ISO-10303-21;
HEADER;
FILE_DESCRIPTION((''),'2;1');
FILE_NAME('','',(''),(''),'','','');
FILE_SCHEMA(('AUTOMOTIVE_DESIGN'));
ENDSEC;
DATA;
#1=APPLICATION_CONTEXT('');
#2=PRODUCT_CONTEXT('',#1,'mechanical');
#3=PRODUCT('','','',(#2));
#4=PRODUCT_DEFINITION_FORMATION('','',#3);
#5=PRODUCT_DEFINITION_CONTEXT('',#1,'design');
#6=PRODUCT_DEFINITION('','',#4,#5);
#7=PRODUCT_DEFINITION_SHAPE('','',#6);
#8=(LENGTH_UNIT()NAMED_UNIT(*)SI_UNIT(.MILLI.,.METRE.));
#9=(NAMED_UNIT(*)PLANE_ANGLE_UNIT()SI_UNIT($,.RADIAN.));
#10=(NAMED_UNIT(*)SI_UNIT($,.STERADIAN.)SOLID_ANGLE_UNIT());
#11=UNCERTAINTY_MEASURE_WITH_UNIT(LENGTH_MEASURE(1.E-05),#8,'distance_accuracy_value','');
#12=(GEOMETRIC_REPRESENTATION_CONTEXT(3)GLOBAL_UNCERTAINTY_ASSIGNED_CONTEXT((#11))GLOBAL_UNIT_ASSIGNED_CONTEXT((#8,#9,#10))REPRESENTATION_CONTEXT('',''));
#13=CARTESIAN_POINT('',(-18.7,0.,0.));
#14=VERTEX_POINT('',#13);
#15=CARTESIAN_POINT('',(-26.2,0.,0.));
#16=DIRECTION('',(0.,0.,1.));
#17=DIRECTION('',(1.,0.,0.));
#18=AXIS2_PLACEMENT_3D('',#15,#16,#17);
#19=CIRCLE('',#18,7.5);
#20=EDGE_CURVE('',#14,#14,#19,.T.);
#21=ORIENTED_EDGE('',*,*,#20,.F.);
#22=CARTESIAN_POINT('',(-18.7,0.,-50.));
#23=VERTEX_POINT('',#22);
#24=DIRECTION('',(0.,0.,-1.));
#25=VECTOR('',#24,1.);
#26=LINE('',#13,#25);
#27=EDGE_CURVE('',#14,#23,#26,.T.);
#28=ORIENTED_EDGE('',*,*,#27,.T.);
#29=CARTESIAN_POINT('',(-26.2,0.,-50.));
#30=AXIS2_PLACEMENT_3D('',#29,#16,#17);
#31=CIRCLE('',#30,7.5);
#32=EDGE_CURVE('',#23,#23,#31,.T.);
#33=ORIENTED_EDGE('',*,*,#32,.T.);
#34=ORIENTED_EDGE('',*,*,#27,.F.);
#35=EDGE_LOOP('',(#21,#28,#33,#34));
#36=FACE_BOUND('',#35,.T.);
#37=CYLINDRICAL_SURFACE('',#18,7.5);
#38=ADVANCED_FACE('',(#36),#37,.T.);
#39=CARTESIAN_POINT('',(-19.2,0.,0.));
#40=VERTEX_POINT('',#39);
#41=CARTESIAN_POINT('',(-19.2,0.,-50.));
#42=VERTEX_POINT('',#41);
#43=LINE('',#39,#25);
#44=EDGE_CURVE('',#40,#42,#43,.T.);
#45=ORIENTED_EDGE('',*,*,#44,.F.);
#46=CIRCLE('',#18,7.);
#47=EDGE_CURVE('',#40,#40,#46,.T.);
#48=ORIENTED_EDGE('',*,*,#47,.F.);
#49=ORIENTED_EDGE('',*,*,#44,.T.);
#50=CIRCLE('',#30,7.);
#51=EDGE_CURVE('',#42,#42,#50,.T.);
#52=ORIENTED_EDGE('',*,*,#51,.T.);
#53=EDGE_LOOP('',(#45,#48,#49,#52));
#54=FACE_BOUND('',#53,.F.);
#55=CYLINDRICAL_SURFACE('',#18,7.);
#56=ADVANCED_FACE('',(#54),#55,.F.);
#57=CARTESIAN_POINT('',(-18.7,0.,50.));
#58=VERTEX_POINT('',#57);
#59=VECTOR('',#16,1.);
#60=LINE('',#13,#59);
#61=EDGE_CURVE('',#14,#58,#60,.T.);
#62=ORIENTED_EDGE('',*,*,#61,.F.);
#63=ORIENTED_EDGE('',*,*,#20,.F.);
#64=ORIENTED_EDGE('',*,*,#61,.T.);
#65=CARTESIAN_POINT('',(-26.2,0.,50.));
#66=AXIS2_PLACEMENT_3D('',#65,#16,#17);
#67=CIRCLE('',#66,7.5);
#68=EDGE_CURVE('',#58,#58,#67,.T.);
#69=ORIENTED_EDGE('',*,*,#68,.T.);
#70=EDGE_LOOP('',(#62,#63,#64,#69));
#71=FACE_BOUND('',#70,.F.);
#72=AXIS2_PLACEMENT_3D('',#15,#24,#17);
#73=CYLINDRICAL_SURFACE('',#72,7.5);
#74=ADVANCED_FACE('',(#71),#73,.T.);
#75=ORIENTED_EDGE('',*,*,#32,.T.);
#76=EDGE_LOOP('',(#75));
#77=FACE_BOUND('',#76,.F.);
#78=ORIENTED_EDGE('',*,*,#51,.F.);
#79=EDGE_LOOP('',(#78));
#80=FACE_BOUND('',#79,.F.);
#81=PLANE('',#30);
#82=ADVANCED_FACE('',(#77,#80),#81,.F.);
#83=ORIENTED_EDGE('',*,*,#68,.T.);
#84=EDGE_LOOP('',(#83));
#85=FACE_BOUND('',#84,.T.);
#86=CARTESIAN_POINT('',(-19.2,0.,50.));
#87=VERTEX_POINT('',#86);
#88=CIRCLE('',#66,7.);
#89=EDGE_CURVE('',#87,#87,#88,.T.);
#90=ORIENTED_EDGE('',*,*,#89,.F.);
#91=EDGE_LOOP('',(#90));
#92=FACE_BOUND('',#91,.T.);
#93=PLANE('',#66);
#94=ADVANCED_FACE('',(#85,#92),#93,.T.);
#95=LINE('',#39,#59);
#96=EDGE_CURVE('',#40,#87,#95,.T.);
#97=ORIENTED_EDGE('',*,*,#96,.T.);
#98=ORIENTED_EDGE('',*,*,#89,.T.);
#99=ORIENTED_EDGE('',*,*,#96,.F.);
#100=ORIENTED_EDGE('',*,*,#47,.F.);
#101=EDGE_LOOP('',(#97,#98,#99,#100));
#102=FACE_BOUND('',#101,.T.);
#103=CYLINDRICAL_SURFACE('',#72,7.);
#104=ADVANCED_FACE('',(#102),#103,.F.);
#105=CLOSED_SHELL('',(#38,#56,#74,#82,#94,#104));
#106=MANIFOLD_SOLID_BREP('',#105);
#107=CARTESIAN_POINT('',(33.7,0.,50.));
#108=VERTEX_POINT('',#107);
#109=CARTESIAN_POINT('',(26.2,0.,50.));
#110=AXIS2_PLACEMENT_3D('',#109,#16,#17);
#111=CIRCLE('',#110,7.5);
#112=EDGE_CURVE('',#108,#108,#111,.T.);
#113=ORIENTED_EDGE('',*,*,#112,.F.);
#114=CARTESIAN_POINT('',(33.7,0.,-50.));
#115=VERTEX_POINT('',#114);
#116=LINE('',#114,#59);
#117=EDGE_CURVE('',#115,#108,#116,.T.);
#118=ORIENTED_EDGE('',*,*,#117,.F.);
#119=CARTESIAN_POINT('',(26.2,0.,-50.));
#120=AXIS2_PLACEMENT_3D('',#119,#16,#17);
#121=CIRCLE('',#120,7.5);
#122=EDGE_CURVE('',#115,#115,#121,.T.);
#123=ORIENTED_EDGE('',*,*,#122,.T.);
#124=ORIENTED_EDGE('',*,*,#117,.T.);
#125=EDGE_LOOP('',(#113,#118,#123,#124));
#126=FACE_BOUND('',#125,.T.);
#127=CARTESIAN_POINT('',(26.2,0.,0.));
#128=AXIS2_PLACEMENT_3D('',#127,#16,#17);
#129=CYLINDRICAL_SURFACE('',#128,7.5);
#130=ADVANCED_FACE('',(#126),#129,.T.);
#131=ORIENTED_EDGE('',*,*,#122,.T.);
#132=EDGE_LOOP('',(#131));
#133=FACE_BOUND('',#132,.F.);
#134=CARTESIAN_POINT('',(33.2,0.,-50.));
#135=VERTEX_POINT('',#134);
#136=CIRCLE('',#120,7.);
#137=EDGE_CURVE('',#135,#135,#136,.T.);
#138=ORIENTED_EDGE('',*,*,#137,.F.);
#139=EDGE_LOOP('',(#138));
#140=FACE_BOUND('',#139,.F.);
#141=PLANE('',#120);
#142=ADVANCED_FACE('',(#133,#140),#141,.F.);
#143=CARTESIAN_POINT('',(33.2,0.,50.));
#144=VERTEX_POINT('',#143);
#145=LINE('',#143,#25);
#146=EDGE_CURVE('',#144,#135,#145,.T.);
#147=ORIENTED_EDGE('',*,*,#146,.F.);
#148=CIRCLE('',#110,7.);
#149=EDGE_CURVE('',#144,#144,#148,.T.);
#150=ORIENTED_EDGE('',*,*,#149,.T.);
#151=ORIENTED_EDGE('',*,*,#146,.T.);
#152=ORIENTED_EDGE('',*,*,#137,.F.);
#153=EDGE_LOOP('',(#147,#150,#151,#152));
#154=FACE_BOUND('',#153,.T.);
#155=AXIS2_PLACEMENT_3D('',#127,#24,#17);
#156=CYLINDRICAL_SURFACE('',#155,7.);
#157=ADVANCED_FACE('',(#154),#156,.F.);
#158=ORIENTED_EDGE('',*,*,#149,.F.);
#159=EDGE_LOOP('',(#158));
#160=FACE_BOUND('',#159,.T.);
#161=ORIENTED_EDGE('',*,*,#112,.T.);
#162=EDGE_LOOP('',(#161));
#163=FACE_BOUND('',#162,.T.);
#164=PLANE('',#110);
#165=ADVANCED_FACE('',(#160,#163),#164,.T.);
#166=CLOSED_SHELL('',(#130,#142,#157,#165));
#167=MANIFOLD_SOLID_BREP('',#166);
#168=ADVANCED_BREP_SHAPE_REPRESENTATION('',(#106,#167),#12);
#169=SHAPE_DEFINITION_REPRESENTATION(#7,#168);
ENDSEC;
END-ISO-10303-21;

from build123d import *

# Parameters (mm, degrees)
F0_R     = 7.5
F0_R_2   = 7
F1_DEPTH = 50


with BuildPart() as f1:
    # F0 (on Top) → F1 (new body, symmetric)
    with BuildSketch(Plane.XY):
        with Locations((-26.2, 0)):
            Circle(F0_R)
        with Locations((-26.2, 0)):
            Circle(F0_R_2, mode=Mode.SUBTRACT)
        with Locations((26.2, 0)):
            Circle(F0_R)
        with Locations((26.2, 0)):
            Circle(F0_R_2, mode=Mode.SUBTRACT)
    extrude(amount=F1_DEPTH, both=True)


solid = f1.part
